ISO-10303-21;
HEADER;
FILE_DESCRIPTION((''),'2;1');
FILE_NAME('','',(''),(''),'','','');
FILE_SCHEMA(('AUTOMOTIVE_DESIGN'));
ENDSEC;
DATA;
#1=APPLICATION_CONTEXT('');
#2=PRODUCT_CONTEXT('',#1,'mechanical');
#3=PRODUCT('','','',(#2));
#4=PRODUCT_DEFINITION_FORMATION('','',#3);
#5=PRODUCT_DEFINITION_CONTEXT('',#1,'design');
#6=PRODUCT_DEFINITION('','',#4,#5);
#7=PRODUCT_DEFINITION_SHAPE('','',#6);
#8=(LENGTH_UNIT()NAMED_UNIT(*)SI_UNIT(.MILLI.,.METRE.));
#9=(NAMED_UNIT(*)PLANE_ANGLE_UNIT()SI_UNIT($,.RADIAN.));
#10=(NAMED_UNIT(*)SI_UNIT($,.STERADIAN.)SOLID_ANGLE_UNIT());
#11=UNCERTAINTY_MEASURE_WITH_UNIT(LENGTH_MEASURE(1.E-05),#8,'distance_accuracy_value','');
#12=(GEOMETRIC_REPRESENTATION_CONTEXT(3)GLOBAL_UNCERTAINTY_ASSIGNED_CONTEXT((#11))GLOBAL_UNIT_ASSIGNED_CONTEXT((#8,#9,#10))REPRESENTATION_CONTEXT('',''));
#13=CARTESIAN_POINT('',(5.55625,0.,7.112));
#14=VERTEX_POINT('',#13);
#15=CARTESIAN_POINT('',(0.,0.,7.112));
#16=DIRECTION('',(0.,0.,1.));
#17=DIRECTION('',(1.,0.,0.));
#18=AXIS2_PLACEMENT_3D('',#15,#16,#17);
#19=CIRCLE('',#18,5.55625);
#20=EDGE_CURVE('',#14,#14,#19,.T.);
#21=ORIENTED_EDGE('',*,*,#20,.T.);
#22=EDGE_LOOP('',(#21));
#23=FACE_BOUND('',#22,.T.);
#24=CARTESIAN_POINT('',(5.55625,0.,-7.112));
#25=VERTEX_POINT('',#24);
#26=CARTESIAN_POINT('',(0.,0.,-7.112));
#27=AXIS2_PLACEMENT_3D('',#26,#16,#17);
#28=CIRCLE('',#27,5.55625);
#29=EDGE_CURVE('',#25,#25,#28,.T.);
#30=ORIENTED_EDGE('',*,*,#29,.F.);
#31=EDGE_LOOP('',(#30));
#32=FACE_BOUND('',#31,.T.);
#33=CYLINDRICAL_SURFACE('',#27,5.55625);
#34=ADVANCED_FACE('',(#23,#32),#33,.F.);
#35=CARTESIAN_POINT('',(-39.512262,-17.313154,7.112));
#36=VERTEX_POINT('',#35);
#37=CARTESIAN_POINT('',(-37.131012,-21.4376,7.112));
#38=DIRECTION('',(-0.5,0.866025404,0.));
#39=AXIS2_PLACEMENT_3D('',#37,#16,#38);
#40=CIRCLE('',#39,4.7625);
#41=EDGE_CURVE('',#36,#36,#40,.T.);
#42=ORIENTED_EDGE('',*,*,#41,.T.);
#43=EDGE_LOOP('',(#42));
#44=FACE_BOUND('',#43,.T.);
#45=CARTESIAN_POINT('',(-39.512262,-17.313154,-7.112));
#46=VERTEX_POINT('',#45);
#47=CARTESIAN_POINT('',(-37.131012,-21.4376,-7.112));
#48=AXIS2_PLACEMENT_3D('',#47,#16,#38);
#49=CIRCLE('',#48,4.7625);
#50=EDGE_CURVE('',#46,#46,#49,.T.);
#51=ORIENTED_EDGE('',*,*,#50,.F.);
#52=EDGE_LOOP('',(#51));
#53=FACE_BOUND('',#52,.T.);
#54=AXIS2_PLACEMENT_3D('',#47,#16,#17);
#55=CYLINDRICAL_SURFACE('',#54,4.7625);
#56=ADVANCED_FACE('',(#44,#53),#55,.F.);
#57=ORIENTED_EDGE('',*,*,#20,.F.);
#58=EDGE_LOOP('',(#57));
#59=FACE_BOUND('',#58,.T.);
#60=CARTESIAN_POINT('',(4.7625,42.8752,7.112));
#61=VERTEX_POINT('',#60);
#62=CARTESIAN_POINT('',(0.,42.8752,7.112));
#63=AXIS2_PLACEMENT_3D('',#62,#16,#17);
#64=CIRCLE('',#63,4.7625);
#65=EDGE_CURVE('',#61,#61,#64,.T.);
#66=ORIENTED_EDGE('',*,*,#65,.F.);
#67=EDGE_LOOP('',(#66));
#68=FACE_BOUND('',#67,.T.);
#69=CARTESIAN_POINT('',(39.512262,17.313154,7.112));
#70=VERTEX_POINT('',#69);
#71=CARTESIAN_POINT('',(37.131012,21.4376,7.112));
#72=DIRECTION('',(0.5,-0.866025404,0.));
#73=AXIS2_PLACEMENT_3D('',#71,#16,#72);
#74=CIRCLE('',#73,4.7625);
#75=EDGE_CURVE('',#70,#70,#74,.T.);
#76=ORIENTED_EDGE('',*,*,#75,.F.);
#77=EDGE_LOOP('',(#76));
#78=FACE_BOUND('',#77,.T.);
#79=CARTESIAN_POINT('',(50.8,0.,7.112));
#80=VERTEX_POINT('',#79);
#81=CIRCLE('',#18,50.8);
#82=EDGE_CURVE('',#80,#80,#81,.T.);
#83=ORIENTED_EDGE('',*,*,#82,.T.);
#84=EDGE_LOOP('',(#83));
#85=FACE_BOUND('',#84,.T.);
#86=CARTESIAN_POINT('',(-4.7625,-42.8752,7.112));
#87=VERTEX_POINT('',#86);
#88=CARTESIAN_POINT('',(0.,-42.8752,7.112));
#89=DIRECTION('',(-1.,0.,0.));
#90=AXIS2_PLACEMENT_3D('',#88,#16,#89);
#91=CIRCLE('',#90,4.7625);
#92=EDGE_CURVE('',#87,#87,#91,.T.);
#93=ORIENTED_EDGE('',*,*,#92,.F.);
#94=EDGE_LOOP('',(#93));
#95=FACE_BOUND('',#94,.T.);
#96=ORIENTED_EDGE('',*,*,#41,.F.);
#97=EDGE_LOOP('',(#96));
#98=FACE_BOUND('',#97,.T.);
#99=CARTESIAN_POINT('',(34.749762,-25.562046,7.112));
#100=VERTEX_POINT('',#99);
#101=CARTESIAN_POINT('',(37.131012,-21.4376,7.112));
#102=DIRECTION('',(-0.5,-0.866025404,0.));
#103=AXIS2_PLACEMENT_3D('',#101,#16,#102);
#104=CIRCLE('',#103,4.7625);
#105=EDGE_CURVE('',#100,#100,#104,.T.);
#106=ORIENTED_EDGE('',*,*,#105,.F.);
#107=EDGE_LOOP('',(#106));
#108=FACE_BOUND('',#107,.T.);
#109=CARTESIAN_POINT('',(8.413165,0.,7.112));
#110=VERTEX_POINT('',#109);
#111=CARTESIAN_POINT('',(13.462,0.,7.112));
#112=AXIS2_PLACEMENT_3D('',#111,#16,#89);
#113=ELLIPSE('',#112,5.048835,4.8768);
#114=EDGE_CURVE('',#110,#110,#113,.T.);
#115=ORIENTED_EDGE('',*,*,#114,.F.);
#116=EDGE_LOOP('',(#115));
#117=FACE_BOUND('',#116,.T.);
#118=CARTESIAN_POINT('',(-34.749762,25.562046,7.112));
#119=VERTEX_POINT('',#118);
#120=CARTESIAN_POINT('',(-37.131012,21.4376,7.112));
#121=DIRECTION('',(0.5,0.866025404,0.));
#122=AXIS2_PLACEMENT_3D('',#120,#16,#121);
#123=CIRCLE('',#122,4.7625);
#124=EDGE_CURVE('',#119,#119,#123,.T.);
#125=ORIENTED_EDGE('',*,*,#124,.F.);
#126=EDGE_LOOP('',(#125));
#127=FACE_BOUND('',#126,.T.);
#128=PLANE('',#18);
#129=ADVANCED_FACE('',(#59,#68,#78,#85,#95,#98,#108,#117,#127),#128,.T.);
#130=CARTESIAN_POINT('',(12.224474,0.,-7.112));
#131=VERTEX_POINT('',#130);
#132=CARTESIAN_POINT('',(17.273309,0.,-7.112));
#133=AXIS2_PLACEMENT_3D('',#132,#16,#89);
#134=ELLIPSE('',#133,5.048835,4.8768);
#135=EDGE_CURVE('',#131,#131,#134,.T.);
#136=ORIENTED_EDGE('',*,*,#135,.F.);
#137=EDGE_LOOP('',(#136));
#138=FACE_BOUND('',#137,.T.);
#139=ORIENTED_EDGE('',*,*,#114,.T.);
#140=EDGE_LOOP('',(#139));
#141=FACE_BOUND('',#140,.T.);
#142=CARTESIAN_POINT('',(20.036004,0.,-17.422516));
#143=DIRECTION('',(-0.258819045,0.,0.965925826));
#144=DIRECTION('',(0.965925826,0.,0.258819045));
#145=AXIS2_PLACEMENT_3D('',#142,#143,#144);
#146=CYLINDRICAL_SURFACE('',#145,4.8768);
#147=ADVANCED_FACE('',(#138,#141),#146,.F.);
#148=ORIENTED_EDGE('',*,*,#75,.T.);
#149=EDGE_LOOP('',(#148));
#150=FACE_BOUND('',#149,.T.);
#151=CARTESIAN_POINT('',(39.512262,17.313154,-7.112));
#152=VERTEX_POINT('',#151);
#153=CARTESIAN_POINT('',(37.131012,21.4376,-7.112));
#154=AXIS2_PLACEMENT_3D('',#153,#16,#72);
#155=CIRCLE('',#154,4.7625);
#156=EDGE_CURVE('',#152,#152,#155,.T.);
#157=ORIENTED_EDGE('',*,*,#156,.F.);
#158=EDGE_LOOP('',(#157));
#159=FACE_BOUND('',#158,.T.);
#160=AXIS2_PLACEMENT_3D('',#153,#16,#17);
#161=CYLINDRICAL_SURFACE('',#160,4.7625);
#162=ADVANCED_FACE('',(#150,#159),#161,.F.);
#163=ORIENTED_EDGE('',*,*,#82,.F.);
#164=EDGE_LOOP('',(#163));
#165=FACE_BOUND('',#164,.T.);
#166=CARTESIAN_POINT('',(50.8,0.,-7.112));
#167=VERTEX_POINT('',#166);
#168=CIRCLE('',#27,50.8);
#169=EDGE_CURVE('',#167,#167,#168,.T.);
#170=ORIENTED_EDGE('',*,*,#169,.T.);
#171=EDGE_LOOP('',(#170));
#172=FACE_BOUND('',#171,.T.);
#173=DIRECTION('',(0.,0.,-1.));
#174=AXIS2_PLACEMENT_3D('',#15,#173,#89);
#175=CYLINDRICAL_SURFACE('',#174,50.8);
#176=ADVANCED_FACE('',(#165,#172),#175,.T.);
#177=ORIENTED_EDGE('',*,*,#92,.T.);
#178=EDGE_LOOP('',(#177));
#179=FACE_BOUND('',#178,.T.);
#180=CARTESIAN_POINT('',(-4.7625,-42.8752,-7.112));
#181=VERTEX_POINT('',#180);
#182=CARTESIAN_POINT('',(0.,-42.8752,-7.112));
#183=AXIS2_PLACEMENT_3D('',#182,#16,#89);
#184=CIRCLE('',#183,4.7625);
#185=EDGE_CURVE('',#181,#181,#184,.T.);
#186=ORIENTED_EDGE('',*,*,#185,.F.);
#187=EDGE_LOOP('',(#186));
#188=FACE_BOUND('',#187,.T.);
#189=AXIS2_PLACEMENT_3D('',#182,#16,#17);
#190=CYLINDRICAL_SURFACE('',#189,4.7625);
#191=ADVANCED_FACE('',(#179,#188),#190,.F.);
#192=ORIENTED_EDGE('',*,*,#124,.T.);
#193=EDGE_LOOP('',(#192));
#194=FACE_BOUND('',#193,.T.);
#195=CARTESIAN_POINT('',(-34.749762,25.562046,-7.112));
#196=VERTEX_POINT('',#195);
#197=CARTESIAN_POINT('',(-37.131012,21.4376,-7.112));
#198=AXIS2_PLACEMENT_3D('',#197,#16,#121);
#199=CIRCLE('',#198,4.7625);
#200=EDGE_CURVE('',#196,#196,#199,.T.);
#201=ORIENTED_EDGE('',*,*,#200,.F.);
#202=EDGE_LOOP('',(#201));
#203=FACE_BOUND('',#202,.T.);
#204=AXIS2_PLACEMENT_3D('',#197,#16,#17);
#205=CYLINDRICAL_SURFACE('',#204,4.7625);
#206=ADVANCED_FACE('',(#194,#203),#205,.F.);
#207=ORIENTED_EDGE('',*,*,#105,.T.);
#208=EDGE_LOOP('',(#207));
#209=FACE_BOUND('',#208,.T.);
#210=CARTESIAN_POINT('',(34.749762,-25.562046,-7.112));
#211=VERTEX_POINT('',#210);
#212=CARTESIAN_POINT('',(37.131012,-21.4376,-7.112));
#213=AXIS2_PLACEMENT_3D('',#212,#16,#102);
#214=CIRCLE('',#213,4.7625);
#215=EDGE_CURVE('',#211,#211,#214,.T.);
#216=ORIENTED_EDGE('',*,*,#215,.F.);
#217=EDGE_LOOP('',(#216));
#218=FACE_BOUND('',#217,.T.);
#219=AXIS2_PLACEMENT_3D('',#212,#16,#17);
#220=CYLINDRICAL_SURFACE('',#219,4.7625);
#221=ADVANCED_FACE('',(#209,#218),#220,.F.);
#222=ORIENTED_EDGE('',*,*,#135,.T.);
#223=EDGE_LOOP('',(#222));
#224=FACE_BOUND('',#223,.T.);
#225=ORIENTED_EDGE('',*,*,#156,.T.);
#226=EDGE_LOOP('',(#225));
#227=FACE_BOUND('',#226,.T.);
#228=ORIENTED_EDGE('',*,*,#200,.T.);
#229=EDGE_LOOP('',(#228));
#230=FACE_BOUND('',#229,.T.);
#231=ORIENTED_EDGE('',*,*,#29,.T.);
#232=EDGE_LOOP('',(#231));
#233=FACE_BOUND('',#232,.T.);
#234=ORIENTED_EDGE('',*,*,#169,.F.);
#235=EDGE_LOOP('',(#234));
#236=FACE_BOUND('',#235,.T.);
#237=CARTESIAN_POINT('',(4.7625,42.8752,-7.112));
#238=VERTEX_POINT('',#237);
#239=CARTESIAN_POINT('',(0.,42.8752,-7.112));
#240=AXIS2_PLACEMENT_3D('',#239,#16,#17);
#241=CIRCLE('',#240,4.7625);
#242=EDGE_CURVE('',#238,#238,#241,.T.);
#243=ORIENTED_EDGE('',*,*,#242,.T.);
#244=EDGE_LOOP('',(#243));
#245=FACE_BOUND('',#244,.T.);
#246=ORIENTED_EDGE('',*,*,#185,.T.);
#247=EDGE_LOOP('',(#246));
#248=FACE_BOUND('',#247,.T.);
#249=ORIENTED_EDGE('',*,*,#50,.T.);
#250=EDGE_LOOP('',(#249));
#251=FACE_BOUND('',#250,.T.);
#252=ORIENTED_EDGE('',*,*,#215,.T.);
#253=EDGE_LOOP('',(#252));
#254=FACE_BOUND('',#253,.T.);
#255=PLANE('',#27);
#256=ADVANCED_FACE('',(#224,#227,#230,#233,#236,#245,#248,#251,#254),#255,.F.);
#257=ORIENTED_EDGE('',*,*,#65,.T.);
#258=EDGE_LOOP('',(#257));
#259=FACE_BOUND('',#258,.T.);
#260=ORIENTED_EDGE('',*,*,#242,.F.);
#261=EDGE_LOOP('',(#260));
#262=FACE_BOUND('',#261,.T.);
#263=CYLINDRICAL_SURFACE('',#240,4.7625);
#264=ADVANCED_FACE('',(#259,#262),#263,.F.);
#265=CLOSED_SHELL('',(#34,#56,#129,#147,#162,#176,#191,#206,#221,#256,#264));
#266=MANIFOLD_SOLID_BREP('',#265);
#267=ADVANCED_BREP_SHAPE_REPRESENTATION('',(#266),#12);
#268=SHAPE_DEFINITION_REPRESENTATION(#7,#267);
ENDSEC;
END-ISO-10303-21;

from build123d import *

# Parameters (mm, degrees)
SKETCH1_R           = 50.8
BOSS_EXTRUDE1_DEPTH = 7.112
SKETCH2_R           = 5.55625
CUT_EXTRUDE1_DEPTH  = 74.236617726
SKETCH3_R           = 4.7625
CUT_EXTRUDE2_DEPTH  = 74.236617726
CIRPATTERN1_COUNT   = 6
SKETCH5_R           = 4.8768
CUT_EXTRUDE3_DEPTH  = 25.4


with BuildPart() as part:
    # Sketch1 → Boss-Extrude1 (new, symmetric)
    with BuildSketch(Plane.XY):
        Circle(SKETCH1_R)
    extrude(amount=BOSS_EXTRUDE1_DEPTH, both=True)

    # Sketch2 → Cut-Extrude1 (cut, through all)
    with BuildSketch(Plane.XY.offset(7.112)):
        Circle(SKETCH2_R)
    extrude(amount=-CUT_EXTRUDE1_DEPTH, mode=Mode.SUBTRACT)

    # Sketch3 → Cut-Extrude2 (cut, through all)
    with BuildSketch(Plane.XY.offset(7.112)):
        with Locations((0, 42.8752)):
            Circle(SKETCH3_R)
    cut_extrude2 = extrude(amount=-CUT_EXTRUDE2_DEPTH, mode=Mode.SUBTRACT)

    # CirPattern1: Cut-Extrude2 ×6 about axis
    cirpattern1_axis = Axis((0, 0, -88.99), (0, 0, 1))
    for i in range(1, CIRPATTERN1_COUNT):
        add(cut_extrude2.rotate(cirpattern1_axis, i * 360 / CIRPATTERN1_COUNT), mode=Mode.SUBTRACT)

    # Sketch5 → Cut-Extrude3 (cut, symmetric)
    with BuildSketch(Plane(origin=(-0.876216993, 0, 3.270086336), x_dir=(0, -1, 0), z_dir=(-0.25881904510252135, 0, 0.9659258262890681))):
        with Locations((0, 14.844014522)):
            Circle(SKETCH5_R)
    extrude(amount=CUT_EXTRUDE3_DEPTH, both=True, mode=Mode.SUBTRACT)


solid = part.part
